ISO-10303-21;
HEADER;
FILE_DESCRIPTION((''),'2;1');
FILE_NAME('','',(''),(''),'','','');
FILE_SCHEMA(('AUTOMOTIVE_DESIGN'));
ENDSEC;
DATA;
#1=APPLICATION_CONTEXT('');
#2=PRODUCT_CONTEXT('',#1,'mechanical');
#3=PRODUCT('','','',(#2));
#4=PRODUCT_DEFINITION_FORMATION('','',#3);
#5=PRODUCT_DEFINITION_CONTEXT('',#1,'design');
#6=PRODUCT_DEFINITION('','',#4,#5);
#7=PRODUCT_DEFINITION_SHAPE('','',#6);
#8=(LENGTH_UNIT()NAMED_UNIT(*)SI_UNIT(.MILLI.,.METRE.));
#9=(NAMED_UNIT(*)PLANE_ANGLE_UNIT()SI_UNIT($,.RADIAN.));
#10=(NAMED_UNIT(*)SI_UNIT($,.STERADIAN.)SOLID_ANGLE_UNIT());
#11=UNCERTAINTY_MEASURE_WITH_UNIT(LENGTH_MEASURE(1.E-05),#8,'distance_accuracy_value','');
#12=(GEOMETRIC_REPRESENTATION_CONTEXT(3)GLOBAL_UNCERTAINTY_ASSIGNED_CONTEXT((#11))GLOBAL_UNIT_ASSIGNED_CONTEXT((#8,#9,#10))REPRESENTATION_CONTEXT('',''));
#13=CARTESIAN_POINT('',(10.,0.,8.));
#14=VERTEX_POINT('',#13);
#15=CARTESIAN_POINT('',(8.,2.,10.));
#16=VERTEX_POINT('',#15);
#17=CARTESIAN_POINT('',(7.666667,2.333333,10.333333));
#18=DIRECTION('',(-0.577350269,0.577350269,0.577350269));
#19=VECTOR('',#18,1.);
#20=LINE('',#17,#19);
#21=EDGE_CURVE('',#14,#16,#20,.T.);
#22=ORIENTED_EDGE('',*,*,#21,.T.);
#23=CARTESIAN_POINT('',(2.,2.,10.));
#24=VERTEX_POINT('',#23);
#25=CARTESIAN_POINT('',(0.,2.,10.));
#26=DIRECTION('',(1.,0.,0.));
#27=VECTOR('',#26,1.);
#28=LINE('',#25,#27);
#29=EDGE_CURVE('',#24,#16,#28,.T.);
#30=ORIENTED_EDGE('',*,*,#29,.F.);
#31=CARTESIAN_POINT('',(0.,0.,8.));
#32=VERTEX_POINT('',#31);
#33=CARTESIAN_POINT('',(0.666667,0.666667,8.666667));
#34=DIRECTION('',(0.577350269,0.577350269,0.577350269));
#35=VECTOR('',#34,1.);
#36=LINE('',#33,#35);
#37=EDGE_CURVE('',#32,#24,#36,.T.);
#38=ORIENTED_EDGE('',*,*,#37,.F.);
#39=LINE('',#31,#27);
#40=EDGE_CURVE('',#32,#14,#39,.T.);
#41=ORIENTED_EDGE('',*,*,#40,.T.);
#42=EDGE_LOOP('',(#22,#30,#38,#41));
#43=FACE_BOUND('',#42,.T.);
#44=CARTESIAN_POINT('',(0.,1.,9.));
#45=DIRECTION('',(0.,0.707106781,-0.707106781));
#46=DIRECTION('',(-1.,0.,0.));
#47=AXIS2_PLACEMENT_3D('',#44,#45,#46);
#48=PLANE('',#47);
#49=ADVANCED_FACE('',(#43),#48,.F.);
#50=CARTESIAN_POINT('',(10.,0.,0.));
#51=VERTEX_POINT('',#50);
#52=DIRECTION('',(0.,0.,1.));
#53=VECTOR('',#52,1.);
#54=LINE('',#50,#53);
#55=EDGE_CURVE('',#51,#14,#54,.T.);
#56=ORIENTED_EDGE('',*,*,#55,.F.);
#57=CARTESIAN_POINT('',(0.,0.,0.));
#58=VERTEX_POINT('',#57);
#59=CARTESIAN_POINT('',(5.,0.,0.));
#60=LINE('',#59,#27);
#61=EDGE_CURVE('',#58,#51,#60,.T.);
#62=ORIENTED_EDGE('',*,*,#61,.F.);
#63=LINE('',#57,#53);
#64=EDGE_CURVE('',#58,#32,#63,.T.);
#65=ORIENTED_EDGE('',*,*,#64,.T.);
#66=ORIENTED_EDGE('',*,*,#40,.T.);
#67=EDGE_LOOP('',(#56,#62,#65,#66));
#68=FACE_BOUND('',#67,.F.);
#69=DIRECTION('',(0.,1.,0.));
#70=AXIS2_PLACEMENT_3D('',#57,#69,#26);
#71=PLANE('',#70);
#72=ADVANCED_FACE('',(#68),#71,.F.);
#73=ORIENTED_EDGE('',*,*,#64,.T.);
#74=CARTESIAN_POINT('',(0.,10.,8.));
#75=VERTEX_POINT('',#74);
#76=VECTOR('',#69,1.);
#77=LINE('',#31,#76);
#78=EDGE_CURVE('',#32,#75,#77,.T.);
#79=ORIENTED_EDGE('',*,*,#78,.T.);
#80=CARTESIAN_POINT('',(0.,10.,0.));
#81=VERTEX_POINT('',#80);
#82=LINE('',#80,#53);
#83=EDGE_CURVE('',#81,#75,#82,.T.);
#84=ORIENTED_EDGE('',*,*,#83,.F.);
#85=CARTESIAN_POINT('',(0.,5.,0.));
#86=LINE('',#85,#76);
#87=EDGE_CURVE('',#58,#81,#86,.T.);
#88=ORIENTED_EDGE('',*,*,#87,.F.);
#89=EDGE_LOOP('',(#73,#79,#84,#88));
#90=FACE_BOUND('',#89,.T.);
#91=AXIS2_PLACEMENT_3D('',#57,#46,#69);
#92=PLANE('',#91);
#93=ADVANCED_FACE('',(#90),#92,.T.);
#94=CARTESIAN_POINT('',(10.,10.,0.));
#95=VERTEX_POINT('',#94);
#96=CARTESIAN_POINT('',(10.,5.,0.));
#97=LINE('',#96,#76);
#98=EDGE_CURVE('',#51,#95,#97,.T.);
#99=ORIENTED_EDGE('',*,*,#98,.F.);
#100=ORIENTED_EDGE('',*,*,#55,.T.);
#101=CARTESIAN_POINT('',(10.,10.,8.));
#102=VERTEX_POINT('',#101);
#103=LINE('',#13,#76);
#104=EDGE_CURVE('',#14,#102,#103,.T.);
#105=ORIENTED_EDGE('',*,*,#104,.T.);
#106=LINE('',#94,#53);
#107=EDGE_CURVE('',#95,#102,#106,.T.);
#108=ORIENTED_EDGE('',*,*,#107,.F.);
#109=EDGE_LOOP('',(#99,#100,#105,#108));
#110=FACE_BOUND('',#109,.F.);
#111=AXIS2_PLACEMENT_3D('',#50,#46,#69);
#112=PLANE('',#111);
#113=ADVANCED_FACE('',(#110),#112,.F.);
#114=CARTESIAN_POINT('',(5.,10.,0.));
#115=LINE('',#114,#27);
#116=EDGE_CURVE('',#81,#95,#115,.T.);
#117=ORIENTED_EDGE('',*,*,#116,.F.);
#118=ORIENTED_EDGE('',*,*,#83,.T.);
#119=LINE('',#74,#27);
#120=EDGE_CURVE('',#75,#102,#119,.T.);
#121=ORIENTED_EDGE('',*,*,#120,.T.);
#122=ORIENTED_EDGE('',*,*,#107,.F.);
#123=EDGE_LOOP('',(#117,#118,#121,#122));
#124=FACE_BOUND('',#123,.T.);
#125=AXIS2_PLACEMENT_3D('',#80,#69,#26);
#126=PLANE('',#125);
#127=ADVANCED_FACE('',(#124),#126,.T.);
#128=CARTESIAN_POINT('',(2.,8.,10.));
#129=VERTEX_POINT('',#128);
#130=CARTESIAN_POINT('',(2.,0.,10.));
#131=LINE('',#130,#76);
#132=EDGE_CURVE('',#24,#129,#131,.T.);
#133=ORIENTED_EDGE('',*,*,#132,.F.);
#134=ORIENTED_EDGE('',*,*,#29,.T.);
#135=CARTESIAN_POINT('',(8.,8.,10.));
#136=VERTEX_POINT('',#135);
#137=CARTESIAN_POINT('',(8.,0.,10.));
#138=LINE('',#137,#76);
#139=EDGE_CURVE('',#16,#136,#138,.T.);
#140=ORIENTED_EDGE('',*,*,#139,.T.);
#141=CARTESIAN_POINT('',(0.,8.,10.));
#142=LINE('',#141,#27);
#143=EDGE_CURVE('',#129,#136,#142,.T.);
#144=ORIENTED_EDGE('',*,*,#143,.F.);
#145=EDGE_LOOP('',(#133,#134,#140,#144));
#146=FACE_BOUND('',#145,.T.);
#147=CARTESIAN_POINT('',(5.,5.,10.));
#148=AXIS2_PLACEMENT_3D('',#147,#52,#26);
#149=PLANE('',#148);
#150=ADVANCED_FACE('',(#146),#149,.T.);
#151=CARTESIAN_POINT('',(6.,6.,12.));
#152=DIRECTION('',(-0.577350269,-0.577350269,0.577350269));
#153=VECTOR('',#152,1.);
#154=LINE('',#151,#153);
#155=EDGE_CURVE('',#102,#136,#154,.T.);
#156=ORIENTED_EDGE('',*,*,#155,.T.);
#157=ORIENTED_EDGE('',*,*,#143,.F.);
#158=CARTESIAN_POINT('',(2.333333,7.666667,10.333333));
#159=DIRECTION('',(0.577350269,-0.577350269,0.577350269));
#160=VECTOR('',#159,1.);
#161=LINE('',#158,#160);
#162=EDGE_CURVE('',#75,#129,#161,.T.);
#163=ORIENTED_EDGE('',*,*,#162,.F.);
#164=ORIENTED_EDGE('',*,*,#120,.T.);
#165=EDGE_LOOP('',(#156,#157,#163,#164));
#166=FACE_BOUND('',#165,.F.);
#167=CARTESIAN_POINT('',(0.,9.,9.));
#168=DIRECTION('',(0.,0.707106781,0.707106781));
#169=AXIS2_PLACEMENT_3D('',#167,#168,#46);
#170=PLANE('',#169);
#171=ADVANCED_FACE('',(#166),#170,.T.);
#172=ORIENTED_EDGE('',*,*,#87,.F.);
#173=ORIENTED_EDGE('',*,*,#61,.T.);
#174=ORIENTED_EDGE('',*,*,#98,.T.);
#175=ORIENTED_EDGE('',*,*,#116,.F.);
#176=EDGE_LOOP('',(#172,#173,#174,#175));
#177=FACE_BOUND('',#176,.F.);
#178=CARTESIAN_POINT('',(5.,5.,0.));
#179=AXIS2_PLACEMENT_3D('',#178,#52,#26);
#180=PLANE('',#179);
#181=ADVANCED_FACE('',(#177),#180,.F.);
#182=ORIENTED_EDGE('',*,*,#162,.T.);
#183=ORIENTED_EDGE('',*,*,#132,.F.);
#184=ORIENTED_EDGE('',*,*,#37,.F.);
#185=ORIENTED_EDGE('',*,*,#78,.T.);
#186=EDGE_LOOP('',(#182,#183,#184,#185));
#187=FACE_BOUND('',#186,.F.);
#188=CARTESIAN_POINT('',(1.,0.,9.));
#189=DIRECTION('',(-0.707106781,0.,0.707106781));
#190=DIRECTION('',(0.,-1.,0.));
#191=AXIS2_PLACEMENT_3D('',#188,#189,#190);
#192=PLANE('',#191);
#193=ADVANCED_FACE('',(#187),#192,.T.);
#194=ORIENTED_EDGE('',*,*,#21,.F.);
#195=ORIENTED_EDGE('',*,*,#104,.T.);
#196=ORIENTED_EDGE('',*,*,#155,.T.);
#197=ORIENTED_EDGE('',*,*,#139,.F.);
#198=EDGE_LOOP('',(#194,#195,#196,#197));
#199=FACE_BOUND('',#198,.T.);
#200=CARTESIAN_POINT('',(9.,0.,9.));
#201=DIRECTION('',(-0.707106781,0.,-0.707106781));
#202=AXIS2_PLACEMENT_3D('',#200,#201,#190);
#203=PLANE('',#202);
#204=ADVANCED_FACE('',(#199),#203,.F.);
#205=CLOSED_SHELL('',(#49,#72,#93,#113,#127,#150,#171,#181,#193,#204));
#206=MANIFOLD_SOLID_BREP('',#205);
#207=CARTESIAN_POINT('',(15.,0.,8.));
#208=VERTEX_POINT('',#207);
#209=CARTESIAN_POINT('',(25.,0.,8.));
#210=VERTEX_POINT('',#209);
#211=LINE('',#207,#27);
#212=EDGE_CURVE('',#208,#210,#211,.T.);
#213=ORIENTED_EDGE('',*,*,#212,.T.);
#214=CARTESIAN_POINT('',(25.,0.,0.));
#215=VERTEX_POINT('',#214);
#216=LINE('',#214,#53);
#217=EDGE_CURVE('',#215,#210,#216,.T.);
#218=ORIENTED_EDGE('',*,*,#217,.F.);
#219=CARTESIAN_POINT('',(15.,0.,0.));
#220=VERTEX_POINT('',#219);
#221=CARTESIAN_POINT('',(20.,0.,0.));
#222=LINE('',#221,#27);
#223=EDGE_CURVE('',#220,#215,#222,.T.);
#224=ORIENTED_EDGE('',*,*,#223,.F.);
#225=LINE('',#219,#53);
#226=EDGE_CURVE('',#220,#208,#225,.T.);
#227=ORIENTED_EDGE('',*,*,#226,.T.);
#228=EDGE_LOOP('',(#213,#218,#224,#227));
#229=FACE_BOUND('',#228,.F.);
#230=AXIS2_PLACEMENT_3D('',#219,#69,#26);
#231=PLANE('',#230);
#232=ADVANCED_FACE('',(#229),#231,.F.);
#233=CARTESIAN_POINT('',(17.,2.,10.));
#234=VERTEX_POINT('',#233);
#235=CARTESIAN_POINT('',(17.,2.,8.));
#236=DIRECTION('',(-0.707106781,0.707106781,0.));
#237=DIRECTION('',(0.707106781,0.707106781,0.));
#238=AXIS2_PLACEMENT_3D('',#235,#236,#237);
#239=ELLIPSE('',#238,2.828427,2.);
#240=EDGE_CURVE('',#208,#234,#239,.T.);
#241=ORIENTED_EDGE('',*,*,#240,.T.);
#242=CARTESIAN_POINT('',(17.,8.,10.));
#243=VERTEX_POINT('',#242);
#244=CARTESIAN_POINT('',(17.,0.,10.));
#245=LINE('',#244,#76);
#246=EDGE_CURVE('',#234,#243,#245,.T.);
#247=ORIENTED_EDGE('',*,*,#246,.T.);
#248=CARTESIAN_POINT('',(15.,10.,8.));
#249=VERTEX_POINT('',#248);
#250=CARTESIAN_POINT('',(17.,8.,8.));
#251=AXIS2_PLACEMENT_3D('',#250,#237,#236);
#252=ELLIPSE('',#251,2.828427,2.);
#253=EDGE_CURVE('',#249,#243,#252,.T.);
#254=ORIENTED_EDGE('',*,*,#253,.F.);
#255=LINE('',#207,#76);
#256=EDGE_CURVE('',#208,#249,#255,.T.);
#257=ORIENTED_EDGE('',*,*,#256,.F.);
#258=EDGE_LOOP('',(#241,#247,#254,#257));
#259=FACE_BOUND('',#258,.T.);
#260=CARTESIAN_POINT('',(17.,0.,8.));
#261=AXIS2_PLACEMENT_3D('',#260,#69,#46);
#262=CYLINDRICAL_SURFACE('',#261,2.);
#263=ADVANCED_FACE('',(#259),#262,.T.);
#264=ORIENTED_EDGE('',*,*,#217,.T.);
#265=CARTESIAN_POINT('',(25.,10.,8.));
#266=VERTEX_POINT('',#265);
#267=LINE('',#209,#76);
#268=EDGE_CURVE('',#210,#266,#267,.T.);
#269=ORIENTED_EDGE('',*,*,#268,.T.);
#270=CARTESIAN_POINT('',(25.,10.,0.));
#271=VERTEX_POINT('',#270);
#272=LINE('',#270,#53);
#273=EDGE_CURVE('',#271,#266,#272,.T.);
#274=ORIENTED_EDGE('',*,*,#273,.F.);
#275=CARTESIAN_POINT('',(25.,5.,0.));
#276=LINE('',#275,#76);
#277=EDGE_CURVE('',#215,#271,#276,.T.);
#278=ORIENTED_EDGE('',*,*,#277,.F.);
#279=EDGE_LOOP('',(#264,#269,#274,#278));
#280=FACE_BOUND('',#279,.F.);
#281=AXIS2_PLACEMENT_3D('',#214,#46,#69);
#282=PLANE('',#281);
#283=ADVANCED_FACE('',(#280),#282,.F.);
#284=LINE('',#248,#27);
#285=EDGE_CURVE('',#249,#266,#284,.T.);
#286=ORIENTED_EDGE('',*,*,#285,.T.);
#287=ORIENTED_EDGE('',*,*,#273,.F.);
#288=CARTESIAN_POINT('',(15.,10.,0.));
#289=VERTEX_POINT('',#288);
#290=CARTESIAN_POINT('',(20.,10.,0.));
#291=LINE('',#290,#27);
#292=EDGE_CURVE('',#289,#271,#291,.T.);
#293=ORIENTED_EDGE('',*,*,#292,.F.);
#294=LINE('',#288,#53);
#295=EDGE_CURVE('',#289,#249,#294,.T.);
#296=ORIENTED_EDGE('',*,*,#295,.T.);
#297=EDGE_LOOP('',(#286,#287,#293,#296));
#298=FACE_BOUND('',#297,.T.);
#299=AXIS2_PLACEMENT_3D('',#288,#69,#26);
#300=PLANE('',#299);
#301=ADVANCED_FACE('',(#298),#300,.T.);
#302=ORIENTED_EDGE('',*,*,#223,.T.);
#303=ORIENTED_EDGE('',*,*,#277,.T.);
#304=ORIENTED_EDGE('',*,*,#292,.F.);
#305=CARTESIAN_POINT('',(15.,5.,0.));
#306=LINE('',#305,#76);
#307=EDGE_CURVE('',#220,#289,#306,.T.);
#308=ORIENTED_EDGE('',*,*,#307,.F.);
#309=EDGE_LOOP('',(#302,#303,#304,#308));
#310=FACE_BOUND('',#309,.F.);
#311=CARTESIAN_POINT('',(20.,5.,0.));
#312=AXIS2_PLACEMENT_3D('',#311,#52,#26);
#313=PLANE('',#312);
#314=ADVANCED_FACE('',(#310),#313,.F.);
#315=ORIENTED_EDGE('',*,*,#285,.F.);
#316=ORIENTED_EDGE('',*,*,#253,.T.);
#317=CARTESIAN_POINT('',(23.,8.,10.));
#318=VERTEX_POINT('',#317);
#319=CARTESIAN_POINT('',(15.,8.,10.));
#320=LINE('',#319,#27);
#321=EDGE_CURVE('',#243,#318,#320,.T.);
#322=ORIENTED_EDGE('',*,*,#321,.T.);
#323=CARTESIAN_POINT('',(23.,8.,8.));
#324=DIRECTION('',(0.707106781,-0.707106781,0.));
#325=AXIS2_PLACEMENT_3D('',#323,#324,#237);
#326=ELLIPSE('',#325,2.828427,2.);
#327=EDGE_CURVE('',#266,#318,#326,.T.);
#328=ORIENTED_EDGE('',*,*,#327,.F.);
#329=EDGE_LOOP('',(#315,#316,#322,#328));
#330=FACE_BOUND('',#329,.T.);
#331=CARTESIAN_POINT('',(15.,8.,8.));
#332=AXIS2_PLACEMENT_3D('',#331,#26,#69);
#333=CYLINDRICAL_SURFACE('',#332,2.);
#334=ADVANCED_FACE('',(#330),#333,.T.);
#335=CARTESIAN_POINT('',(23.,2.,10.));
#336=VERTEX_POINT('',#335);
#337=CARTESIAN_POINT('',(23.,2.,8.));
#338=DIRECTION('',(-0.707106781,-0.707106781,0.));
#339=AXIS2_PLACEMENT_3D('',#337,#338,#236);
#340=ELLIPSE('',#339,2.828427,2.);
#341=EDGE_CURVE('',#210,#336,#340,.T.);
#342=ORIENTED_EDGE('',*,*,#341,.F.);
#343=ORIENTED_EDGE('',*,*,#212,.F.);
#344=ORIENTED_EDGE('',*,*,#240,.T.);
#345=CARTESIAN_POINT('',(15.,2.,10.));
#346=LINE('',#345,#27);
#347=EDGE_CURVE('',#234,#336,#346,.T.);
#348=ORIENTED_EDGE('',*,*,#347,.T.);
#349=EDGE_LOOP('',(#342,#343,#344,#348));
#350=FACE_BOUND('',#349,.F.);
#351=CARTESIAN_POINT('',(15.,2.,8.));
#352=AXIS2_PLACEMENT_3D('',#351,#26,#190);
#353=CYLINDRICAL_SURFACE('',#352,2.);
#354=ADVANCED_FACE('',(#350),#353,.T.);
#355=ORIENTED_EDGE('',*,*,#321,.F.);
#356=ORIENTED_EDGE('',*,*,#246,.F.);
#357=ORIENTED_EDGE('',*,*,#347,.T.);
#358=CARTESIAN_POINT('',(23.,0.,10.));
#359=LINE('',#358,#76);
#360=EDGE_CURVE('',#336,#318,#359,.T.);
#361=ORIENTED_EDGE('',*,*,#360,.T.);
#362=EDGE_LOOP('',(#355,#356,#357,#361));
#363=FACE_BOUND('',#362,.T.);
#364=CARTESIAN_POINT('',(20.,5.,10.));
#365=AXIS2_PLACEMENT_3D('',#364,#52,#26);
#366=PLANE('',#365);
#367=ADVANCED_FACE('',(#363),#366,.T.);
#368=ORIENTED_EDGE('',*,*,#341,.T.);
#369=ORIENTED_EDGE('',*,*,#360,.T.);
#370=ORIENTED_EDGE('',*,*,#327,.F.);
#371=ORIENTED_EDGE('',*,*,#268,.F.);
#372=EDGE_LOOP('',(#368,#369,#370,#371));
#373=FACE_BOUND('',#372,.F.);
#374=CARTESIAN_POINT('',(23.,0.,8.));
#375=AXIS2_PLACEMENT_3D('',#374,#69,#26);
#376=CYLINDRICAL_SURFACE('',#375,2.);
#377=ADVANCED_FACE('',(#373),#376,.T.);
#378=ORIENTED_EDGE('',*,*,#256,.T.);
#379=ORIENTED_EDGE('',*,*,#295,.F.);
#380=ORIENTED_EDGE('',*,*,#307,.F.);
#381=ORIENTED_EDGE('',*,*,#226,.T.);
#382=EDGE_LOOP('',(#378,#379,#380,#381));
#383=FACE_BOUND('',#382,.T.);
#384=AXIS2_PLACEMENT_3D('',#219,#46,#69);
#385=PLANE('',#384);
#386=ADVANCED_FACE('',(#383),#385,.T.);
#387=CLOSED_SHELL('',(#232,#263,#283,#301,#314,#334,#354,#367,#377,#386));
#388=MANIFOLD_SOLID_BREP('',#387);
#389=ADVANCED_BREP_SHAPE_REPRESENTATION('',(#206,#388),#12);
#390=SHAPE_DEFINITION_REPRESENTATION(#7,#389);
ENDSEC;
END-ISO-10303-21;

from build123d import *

# Parameters (mm, degrees)
BOX_W        = 10
BOX_H        = 10
BOX_DEPTH    = 10
CHAMFER_SIZE = 2
BOX001_W     = 10
BOX001_H     = 10
BOX001_DEPTH = 10
FILLET_R     = 2


with BuildPart() as chamfer_body:
    # Box → Box (new body)
    with BuildSketch(Plane.XY):
        with Locations((5, 5)):
            Rectangle(BOX_W, BOX_H)
    extrude(amount=BOX_DEPTH)

    # Chamfer
    chamfer_edges = [chamfer_body.edges().sort_by_distance(p)[0] for p in [
        (0, 5, 10),
        (10, 5, 10),
        (5, 0, 10),
        (5, 10, 10),
    ]]
    chamfer(chamfer_edges, length=CHAMFER_SIZE)


with BuildPart() as fillet_body:
    # Box001 → Box001 (new body)
    with BuildSketch(Plane(origin=(15, 0, 0), x_dir=(1, 0, 0), z_dir=(0, 0, 1))):
        with Locations((5, 5)):
            Rectangle(BOX001_W, BOX001_H)
    extrude(amount=BOX001_DEPTH)

    # Fillet
    fillet_edges = [fillet_body.edges().sort_by_distance(p)[0] for p in [
        (15, 5, 10),
        (25, 5, 10),
        (20, 0, 10),
        (20, 10, 10),
    ]]
    fillet(fillet_edges, radius=FILLET_R)


solid = Compound([chamfer_body.part, fillet_body.part])
